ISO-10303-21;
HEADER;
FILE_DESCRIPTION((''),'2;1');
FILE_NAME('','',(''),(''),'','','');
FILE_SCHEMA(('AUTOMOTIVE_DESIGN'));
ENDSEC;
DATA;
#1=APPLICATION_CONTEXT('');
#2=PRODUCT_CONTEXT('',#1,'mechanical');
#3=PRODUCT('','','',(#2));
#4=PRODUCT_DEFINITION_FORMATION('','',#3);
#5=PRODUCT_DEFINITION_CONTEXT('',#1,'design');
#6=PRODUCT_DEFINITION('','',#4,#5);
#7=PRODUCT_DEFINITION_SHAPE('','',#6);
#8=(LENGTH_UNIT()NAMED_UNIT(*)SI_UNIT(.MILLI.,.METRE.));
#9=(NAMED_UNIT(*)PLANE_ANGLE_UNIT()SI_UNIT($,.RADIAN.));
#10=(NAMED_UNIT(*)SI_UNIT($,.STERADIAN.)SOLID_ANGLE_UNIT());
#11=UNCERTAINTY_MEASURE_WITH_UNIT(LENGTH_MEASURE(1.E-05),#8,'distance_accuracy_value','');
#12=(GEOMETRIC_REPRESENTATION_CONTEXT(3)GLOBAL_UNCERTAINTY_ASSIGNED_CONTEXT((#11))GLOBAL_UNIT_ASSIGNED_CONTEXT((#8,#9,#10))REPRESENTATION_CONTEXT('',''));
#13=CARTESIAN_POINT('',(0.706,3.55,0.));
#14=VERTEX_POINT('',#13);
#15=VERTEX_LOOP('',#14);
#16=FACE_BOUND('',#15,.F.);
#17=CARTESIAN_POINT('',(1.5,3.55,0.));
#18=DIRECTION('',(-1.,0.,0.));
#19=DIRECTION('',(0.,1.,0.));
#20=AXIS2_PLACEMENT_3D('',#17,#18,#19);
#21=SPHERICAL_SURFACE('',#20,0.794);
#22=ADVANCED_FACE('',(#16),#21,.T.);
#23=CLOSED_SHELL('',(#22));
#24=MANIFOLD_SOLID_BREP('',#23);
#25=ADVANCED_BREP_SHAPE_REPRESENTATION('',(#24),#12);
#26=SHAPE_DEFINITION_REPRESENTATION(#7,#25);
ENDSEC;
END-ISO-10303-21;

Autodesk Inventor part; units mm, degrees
ref_plane "YZ Plane" through (0, 0, 0) normal (1, 0, 0) x (0, 1, 0)
ref_plane "XZ Plane" through (0, 0, 0) normal (0, 1, 0) x (-1, 0, 0)
ref_plane "XY Plane" through (0, 0, 0) normal (0, 0, 1) x (1, 0, 0)
sketch "Sketch_1" plane through (0, 0, 0) normal (0, 0, 1) x (1, 0, 0)
  line L0 (2.294, 3.55) -> (0.706, 3.55)
  arc A0 (2.294, 3.55) -> (0.706, 3.55) centre (1.5, 3.55) ccw
  line L1 (2.294, 3.55) -> (0.706, 3.55)
  dimension "d0" = 360
revolve "Revolution1" add sketch "Sketch_1" angle 360 about axis through (2.294, 3.55, 0) along (1, 0, 0)
properties part number "W 637/4 X_PART3"
